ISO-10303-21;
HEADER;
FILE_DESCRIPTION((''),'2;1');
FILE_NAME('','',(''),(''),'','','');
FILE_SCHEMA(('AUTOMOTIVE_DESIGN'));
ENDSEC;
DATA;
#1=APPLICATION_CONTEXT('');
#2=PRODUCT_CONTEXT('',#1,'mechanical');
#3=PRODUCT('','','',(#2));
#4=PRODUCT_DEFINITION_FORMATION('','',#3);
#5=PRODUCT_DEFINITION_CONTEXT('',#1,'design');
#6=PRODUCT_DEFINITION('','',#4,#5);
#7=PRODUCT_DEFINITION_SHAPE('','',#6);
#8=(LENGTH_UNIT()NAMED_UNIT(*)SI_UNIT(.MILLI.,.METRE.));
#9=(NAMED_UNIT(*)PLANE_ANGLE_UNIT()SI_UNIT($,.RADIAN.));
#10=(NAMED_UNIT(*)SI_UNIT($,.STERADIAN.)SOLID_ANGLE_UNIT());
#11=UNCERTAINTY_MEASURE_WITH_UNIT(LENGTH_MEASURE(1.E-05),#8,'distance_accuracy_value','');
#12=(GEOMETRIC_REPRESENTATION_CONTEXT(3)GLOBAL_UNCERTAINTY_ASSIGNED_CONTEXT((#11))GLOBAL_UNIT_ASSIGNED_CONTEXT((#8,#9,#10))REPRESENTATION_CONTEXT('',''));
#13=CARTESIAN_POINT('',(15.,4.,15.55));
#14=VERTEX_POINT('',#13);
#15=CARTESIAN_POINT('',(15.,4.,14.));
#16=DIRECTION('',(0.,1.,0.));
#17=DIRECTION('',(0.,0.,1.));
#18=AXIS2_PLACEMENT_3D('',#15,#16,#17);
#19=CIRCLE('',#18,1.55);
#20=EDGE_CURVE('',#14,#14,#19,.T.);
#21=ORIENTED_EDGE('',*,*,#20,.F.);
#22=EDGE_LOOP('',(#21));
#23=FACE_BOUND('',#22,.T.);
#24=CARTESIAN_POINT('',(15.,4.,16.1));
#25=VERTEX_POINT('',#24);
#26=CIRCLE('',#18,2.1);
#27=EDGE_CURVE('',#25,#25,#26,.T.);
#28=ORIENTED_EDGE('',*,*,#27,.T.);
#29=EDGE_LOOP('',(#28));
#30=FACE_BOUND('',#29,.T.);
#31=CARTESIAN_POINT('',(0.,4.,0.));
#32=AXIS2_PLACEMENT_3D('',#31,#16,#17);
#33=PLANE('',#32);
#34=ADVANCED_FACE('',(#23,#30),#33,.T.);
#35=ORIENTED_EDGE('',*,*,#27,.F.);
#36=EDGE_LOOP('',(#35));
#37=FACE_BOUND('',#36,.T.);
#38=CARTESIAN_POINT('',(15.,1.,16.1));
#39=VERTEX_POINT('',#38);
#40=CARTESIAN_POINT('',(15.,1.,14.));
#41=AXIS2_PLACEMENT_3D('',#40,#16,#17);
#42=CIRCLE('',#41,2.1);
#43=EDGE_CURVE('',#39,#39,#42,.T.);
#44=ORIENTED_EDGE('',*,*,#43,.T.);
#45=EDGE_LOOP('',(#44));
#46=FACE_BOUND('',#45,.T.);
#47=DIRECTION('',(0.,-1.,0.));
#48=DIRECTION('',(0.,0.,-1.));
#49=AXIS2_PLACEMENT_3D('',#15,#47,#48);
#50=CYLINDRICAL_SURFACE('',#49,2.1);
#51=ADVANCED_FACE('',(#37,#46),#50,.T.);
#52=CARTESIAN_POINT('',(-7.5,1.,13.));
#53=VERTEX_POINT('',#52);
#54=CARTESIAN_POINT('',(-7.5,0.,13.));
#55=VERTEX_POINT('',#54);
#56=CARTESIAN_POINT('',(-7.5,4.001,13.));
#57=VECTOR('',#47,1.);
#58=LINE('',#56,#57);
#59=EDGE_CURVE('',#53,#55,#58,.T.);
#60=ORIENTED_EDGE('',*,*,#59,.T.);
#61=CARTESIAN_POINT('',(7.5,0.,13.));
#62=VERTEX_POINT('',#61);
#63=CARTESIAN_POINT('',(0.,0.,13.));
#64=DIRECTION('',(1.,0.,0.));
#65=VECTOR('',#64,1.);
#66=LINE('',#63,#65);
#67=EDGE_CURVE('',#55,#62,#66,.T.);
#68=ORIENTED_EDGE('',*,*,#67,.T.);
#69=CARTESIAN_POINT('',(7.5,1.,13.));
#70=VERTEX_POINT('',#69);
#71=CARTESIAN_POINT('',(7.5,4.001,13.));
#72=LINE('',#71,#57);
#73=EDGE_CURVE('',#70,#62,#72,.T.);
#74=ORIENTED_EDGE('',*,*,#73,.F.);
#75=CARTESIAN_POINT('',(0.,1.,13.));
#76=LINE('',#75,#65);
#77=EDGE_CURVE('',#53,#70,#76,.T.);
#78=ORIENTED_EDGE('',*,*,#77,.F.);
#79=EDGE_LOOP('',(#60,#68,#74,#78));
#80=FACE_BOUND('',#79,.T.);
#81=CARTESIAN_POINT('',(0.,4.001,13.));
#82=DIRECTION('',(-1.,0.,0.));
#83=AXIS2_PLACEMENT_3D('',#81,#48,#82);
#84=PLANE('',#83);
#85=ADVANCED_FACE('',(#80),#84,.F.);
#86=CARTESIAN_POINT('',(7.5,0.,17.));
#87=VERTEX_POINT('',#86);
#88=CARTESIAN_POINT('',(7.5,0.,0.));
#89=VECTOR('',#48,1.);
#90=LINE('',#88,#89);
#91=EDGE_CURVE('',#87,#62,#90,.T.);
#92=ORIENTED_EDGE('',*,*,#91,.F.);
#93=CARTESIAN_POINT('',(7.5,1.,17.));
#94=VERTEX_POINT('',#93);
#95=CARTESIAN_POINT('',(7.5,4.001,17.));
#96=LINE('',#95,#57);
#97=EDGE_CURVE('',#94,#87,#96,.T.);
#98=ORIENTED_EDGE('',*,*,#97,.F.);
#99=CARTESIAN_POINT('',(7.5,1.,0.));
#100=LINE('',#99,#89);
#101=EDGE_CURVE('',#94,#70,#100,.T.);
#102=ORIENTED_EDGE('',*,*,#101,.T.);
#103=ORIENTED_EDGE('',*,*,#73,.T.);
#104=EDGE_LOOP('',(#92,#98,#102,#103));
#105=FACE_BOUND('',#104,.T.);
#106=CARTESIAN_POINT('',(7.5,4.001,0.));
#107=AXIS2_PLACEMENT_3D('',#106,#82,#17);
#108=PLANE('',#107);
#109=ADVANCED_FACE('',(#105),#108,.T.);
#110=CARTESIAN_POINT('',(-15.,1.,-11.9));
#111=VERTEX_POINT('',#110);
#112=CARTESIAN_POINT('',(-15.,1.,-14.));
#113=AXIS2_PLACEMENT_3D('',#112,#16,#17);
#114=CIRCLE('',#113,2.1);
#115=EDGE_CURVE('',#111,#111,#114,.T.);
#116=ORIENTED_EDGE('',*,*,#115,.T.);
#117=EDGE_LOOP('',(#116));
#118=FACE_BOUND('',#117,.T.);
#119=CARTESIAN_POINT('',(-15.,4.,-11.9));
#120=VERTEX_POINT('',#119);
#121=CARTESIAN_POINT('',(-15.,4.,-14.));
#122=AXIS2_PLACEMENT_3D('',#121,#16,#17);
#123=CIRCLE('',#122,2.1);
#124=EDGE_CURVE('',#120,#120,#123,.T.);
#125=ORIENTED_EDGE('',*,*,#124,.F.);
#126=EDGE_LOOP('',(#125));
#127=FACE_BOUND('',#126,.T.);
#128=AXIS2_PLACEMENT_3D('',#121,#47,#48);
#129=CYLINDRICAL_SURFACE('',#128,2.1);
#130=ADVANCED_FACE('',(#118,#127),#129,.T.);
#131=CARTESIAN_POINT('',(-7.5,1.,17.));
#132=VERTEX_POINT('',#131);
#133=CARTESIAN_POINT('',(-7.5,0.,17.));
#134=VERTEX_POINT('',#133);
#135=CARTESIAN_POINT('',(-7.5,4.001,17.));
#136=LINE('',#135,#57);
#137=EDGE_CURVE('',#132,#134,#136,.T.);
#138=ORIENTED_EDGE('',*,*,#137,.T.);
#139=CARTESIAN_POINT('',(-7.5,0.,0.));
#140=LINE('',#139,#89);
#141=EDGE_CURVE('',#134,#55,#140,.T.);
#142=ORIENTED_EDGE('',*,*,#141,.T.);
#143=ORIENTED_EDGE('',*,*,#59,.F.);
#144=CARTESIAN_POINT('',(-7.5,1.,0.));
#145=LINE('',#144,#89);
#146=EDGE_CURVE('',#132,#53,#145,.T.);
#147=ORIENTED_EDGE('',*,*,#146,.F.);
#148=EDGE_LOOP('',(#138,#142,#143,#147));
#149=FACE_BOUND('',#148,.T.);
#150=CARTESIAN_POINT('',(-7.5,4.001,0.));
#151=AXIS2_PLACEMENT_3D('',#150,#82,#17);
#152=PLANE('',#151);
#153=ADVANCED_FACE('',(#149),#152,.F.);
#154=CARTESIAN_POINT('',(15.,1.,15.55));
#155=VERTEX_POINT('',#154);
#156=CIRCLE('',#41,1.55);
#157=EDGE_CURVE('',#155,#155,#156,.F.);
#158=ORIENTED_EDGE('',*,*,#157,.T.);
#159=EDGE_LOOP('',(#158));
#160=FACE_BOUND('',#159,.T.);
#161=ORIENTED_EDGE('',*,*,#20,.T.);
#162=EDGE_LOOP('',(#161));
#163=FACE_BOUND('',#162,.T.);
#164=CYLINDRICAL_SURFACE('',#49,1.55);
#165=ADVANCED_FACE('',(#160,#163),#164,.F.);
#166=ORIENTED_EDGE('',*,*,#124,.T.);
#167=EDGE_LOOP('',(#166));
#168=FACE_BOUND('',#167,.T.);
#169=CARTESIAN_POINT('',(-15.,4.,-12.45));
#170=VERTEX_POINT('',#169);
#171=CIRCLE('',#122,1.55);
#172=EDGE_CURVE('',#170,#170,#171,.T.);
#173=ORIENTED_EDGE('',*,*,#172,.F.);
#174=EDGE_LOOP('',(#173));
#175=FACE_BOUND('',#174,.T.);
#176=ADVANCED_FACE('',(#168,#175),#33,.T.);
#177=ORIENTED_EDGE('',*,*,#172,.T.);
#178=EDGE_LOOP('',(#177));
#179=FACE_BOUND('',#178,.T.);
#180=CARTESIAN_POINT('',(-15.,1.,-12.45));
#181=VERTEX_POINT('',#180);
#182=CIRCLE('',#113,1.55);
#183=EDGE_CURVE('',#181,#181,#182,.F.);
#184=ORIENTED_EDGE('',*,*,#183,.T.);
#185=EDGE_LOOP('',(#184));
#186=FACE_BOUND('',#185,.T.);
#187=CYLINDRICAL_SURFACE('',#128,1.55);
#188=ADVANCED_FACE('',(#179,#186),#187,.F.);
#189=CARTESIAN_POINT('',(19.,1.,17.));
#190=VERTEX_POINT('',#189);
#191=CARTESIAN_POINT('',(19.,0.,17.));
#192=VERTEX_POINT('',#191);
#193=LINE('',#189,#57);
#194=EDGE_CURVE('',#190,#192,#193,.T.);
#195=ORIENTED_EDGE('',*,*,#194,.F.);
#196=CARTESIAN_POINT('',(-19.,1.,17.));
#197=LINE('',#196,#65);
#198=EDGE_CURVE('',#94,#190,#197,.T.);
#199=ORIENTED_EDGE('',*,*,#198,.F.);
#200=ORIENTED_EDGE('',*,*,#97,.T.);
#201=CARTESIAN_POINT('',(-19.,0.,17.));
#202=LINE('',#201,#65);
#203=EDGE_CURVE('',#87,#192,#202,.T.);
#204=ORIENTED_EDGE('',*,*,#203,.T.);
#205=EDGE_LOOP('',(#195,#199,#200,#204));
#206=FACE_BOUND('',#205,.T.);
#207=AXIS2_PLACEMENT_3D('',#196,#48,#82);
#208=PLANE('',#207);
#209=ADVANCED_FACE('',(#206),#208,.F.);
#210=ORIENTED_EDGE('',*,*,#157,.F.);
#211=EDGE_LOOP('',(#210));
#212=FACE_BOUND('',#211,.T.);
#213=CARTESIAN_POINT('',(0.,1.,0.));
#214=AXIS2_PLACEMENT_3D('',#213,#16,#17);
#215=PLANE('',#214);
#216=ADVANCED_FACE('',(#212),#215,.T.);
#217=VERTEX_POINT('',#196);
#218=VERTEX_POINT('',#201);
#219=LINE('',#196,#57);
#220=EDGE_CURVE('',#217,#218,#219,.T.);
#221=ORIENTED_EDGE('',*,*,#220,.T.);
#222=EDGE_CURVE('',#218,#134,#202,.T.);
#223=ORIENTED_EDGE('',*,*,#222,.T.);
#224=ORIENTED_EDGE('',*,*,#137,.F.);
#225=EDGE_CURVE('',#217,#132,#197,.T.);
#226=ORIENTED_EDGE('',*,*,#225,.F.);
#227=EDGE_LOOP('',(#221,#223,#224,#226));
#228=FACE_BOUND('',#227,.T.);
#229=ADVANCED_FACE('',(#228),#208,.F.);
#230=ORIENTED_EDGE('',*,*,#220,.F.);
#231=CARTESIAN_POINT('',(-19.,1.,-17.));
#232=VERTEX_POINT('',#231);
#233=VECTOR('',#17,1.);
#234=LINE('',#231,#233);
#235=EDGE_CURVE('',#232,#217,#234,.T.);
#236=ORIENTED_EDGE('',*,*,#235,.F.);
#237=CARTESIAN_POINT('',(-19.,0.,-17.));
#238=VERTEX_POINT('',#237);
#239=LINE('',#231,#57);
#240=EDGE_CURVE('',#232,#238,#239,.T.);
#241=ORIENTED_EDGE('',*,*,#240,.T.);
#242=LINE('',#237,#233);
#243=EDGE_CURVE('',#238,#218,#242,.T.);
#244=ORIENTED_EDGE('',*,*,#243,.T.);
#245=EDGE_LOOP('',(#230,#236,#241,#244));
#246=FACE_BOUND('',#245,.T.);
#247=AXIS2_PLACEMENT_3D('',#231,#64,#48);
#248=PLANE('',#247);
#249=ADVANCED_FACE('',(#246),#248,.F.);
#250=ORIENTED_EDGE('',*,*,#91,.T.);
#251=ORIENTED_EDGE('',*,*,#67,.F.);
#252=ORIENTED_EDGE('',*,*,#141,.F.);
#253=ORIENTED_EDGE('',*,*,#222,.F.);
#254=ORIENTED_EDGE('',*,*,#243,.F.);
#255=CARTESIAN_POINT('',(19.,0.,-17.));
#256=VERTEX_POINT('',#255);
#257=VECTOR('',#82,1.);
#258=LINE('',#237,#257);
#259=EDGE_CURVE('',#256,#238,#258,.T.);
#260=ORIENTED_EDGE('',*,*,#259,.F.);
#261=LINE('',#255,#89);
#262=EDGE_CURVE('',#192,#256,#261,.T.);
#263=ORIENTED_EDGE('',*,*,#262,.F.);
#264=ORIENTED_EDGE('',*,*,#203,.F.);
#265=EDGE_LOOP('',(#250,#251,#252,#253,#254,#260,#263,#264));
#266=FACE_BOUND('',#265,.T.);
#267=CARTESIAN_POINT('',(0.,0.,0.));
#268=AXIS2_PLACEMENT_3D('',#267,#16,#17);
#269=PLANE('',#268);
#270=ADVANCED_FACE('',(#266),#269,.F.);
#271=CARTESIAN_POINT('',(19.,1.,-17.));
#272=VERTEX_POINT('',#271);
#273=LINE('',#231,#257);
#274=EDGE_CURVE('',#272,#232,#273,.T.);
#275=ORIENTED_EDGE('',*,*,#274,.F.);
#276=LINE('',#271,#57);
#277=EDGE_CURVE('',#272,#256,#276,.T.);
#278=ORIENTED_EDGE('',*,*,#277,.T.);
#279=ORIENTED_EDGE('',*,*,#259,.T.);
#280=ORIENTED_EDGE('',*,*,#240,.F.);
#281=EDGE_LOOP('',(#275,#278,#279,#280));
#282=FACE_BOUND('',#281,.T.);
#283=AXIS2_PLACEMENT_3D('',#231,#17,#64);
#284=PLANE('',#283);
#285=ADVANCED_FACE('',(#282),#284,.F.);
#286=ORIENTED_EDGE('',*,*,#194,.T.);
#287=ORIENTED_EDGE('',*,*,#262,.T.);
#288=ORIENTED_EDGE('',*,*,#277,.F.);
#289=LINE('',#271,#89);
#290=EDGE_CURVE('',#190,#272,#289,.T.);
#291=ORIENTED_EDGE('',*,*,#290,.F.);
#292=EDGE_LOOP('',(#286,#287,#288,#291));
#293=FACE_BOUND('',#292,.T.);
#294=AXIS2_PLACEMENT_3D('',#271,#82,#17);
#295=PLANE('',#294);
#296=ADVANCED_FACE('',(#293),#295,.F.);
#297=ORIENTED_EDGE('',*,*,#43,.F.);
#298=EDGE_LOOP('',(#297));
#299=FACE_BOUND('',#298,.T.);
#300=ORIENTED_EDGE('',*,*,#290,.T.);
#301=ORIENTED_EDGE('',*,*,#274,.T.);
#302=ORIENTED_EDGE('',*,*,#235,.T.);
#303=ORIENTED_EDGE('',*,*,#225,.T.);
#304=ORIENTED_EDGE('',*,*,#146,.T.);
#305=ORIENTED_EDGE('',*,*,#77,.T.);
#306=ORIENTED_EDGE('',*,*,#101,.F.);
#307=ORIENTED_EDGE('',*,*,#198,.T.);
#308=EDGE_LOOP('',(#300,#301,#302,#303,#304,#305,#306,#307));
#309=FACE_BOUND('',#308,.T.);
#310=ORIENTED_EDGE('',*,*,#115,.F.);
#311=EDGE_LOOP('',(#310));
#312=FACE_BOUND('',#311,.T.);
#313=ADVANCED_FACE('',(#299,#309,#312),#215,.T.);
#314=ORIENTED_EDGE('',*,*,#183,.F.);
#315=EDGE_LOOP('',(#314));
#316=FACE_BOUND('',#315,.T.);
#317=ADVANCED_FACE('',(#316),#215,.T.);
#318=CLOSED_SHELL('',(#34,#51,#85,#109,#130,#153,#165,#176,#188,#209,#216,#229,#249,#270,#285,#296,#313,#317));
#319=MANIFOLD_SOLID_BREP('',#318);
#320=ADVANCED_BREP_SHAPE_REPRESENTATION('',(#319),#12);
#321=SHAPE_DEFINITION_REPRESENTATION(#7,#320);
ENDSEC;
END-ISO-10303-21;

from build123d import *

# Parameters (mm, degrees)
SKETCH_1_W          = 38
SKETCH_1_H          = 34
MIDDLE_PLATE_DEPTH  = 1
MIDDLE_PILLAR_DEPTH = 3
C_CUT_REACH         = 27.807
SKETCH_3_W          = 15
SKETCH_3_H          = 4


with BuildPart() as part:
    # 스케치1 → Middle_plate (new body)
    with BuildSketch(Plane(origin=(0, 0, 0), x_dir=(1, 0, 0), z_dir=(0, 1, 0))):
        Rectangle(SKETCH_1_W, SKETCH_1_H)
    extrude(amount=MIDDLE_PLATE_DEPTH)

    # 스케치2 → Middle_pillar (add)
    with BuildSketch(Plane(origin=(0, 1, 0), x_dir=(1, 0, 0), z_dir=(0, 1, 0))):
        with BuildLine():
            ThreePointArc((17.1, -14), (16.48492424, -12.51507576), (15, -11.9))
            Line((15, -11.9), (15, -12.45))
            ThreePointArc((15, -12.45), (16.096015511, -12.903984489), (16.55, -14))
            ThreePointArc((16.55, -14), (15, -15.55), (13.45, -14))
            Line((13.45, -14), (12.9, -14))
            ThreePointArc((12.9, -14), (15, -16.1), (17.1, -14))
        make_face()
        with BuildLine():
            Line((15, -12.45), (15, -11.9))
            ThreePointArc((15, -11.9), (13.51507576, -12.51507576), (12.9, -14))
            Line((12.9, -14), (13.45, -14))
            ThreePointArc((13.45, -14), (13.903984489, -12.903984489), (15, -12.45))
        make_face()
        with BuildLine():
            ThreePointArc((-15, 12.45), (-16.096015511, 15.096015511), (-13.45, 14))
            Line((-13.45, 14), (-12.9, 14))
            ThreePointArc((-12.9, 14), (-16.48492424, 15.48492424), (-15, 11.9))
            Line((-15, 11.9), (-15, 12.45))
        make_face()
        with BuildLine():
            Line((-12.9, 14), (-13.45, 14))
            ThreePointArc((-13.45, 14), (-13.903984489, 12.903984489), (-15, 12.45))
            Line((-15, 12.45), (-15, 11.9))
            ThreePointArc((-15, 11.9), (-13.51507576, 12.51507576), (-12.9, 14))
        make_face()
    extrude(amount=MIDDLE_PILLAR_DEPTH)

    # 스케치3 → C_cut (cut, up to next)
    with BuildSketch(Plane.XZ, mode=Mode.PRIVATE) as c_cut_sk1:
        with Locations((0, 15)):
            Rectangle(SKETCH_3_W, SKETCH_3_H)
    c_cut_tool1 = extrude(c_cut_sk1.sketch, amount=-C_CUT_REACH, mode=Mode.PRIVATE) & part.part
    add(c_cut_tool1.solids().sort_by_distance((0, 0, 15))[0], mode=Mode.SUBTRACT)


solid = part.part
